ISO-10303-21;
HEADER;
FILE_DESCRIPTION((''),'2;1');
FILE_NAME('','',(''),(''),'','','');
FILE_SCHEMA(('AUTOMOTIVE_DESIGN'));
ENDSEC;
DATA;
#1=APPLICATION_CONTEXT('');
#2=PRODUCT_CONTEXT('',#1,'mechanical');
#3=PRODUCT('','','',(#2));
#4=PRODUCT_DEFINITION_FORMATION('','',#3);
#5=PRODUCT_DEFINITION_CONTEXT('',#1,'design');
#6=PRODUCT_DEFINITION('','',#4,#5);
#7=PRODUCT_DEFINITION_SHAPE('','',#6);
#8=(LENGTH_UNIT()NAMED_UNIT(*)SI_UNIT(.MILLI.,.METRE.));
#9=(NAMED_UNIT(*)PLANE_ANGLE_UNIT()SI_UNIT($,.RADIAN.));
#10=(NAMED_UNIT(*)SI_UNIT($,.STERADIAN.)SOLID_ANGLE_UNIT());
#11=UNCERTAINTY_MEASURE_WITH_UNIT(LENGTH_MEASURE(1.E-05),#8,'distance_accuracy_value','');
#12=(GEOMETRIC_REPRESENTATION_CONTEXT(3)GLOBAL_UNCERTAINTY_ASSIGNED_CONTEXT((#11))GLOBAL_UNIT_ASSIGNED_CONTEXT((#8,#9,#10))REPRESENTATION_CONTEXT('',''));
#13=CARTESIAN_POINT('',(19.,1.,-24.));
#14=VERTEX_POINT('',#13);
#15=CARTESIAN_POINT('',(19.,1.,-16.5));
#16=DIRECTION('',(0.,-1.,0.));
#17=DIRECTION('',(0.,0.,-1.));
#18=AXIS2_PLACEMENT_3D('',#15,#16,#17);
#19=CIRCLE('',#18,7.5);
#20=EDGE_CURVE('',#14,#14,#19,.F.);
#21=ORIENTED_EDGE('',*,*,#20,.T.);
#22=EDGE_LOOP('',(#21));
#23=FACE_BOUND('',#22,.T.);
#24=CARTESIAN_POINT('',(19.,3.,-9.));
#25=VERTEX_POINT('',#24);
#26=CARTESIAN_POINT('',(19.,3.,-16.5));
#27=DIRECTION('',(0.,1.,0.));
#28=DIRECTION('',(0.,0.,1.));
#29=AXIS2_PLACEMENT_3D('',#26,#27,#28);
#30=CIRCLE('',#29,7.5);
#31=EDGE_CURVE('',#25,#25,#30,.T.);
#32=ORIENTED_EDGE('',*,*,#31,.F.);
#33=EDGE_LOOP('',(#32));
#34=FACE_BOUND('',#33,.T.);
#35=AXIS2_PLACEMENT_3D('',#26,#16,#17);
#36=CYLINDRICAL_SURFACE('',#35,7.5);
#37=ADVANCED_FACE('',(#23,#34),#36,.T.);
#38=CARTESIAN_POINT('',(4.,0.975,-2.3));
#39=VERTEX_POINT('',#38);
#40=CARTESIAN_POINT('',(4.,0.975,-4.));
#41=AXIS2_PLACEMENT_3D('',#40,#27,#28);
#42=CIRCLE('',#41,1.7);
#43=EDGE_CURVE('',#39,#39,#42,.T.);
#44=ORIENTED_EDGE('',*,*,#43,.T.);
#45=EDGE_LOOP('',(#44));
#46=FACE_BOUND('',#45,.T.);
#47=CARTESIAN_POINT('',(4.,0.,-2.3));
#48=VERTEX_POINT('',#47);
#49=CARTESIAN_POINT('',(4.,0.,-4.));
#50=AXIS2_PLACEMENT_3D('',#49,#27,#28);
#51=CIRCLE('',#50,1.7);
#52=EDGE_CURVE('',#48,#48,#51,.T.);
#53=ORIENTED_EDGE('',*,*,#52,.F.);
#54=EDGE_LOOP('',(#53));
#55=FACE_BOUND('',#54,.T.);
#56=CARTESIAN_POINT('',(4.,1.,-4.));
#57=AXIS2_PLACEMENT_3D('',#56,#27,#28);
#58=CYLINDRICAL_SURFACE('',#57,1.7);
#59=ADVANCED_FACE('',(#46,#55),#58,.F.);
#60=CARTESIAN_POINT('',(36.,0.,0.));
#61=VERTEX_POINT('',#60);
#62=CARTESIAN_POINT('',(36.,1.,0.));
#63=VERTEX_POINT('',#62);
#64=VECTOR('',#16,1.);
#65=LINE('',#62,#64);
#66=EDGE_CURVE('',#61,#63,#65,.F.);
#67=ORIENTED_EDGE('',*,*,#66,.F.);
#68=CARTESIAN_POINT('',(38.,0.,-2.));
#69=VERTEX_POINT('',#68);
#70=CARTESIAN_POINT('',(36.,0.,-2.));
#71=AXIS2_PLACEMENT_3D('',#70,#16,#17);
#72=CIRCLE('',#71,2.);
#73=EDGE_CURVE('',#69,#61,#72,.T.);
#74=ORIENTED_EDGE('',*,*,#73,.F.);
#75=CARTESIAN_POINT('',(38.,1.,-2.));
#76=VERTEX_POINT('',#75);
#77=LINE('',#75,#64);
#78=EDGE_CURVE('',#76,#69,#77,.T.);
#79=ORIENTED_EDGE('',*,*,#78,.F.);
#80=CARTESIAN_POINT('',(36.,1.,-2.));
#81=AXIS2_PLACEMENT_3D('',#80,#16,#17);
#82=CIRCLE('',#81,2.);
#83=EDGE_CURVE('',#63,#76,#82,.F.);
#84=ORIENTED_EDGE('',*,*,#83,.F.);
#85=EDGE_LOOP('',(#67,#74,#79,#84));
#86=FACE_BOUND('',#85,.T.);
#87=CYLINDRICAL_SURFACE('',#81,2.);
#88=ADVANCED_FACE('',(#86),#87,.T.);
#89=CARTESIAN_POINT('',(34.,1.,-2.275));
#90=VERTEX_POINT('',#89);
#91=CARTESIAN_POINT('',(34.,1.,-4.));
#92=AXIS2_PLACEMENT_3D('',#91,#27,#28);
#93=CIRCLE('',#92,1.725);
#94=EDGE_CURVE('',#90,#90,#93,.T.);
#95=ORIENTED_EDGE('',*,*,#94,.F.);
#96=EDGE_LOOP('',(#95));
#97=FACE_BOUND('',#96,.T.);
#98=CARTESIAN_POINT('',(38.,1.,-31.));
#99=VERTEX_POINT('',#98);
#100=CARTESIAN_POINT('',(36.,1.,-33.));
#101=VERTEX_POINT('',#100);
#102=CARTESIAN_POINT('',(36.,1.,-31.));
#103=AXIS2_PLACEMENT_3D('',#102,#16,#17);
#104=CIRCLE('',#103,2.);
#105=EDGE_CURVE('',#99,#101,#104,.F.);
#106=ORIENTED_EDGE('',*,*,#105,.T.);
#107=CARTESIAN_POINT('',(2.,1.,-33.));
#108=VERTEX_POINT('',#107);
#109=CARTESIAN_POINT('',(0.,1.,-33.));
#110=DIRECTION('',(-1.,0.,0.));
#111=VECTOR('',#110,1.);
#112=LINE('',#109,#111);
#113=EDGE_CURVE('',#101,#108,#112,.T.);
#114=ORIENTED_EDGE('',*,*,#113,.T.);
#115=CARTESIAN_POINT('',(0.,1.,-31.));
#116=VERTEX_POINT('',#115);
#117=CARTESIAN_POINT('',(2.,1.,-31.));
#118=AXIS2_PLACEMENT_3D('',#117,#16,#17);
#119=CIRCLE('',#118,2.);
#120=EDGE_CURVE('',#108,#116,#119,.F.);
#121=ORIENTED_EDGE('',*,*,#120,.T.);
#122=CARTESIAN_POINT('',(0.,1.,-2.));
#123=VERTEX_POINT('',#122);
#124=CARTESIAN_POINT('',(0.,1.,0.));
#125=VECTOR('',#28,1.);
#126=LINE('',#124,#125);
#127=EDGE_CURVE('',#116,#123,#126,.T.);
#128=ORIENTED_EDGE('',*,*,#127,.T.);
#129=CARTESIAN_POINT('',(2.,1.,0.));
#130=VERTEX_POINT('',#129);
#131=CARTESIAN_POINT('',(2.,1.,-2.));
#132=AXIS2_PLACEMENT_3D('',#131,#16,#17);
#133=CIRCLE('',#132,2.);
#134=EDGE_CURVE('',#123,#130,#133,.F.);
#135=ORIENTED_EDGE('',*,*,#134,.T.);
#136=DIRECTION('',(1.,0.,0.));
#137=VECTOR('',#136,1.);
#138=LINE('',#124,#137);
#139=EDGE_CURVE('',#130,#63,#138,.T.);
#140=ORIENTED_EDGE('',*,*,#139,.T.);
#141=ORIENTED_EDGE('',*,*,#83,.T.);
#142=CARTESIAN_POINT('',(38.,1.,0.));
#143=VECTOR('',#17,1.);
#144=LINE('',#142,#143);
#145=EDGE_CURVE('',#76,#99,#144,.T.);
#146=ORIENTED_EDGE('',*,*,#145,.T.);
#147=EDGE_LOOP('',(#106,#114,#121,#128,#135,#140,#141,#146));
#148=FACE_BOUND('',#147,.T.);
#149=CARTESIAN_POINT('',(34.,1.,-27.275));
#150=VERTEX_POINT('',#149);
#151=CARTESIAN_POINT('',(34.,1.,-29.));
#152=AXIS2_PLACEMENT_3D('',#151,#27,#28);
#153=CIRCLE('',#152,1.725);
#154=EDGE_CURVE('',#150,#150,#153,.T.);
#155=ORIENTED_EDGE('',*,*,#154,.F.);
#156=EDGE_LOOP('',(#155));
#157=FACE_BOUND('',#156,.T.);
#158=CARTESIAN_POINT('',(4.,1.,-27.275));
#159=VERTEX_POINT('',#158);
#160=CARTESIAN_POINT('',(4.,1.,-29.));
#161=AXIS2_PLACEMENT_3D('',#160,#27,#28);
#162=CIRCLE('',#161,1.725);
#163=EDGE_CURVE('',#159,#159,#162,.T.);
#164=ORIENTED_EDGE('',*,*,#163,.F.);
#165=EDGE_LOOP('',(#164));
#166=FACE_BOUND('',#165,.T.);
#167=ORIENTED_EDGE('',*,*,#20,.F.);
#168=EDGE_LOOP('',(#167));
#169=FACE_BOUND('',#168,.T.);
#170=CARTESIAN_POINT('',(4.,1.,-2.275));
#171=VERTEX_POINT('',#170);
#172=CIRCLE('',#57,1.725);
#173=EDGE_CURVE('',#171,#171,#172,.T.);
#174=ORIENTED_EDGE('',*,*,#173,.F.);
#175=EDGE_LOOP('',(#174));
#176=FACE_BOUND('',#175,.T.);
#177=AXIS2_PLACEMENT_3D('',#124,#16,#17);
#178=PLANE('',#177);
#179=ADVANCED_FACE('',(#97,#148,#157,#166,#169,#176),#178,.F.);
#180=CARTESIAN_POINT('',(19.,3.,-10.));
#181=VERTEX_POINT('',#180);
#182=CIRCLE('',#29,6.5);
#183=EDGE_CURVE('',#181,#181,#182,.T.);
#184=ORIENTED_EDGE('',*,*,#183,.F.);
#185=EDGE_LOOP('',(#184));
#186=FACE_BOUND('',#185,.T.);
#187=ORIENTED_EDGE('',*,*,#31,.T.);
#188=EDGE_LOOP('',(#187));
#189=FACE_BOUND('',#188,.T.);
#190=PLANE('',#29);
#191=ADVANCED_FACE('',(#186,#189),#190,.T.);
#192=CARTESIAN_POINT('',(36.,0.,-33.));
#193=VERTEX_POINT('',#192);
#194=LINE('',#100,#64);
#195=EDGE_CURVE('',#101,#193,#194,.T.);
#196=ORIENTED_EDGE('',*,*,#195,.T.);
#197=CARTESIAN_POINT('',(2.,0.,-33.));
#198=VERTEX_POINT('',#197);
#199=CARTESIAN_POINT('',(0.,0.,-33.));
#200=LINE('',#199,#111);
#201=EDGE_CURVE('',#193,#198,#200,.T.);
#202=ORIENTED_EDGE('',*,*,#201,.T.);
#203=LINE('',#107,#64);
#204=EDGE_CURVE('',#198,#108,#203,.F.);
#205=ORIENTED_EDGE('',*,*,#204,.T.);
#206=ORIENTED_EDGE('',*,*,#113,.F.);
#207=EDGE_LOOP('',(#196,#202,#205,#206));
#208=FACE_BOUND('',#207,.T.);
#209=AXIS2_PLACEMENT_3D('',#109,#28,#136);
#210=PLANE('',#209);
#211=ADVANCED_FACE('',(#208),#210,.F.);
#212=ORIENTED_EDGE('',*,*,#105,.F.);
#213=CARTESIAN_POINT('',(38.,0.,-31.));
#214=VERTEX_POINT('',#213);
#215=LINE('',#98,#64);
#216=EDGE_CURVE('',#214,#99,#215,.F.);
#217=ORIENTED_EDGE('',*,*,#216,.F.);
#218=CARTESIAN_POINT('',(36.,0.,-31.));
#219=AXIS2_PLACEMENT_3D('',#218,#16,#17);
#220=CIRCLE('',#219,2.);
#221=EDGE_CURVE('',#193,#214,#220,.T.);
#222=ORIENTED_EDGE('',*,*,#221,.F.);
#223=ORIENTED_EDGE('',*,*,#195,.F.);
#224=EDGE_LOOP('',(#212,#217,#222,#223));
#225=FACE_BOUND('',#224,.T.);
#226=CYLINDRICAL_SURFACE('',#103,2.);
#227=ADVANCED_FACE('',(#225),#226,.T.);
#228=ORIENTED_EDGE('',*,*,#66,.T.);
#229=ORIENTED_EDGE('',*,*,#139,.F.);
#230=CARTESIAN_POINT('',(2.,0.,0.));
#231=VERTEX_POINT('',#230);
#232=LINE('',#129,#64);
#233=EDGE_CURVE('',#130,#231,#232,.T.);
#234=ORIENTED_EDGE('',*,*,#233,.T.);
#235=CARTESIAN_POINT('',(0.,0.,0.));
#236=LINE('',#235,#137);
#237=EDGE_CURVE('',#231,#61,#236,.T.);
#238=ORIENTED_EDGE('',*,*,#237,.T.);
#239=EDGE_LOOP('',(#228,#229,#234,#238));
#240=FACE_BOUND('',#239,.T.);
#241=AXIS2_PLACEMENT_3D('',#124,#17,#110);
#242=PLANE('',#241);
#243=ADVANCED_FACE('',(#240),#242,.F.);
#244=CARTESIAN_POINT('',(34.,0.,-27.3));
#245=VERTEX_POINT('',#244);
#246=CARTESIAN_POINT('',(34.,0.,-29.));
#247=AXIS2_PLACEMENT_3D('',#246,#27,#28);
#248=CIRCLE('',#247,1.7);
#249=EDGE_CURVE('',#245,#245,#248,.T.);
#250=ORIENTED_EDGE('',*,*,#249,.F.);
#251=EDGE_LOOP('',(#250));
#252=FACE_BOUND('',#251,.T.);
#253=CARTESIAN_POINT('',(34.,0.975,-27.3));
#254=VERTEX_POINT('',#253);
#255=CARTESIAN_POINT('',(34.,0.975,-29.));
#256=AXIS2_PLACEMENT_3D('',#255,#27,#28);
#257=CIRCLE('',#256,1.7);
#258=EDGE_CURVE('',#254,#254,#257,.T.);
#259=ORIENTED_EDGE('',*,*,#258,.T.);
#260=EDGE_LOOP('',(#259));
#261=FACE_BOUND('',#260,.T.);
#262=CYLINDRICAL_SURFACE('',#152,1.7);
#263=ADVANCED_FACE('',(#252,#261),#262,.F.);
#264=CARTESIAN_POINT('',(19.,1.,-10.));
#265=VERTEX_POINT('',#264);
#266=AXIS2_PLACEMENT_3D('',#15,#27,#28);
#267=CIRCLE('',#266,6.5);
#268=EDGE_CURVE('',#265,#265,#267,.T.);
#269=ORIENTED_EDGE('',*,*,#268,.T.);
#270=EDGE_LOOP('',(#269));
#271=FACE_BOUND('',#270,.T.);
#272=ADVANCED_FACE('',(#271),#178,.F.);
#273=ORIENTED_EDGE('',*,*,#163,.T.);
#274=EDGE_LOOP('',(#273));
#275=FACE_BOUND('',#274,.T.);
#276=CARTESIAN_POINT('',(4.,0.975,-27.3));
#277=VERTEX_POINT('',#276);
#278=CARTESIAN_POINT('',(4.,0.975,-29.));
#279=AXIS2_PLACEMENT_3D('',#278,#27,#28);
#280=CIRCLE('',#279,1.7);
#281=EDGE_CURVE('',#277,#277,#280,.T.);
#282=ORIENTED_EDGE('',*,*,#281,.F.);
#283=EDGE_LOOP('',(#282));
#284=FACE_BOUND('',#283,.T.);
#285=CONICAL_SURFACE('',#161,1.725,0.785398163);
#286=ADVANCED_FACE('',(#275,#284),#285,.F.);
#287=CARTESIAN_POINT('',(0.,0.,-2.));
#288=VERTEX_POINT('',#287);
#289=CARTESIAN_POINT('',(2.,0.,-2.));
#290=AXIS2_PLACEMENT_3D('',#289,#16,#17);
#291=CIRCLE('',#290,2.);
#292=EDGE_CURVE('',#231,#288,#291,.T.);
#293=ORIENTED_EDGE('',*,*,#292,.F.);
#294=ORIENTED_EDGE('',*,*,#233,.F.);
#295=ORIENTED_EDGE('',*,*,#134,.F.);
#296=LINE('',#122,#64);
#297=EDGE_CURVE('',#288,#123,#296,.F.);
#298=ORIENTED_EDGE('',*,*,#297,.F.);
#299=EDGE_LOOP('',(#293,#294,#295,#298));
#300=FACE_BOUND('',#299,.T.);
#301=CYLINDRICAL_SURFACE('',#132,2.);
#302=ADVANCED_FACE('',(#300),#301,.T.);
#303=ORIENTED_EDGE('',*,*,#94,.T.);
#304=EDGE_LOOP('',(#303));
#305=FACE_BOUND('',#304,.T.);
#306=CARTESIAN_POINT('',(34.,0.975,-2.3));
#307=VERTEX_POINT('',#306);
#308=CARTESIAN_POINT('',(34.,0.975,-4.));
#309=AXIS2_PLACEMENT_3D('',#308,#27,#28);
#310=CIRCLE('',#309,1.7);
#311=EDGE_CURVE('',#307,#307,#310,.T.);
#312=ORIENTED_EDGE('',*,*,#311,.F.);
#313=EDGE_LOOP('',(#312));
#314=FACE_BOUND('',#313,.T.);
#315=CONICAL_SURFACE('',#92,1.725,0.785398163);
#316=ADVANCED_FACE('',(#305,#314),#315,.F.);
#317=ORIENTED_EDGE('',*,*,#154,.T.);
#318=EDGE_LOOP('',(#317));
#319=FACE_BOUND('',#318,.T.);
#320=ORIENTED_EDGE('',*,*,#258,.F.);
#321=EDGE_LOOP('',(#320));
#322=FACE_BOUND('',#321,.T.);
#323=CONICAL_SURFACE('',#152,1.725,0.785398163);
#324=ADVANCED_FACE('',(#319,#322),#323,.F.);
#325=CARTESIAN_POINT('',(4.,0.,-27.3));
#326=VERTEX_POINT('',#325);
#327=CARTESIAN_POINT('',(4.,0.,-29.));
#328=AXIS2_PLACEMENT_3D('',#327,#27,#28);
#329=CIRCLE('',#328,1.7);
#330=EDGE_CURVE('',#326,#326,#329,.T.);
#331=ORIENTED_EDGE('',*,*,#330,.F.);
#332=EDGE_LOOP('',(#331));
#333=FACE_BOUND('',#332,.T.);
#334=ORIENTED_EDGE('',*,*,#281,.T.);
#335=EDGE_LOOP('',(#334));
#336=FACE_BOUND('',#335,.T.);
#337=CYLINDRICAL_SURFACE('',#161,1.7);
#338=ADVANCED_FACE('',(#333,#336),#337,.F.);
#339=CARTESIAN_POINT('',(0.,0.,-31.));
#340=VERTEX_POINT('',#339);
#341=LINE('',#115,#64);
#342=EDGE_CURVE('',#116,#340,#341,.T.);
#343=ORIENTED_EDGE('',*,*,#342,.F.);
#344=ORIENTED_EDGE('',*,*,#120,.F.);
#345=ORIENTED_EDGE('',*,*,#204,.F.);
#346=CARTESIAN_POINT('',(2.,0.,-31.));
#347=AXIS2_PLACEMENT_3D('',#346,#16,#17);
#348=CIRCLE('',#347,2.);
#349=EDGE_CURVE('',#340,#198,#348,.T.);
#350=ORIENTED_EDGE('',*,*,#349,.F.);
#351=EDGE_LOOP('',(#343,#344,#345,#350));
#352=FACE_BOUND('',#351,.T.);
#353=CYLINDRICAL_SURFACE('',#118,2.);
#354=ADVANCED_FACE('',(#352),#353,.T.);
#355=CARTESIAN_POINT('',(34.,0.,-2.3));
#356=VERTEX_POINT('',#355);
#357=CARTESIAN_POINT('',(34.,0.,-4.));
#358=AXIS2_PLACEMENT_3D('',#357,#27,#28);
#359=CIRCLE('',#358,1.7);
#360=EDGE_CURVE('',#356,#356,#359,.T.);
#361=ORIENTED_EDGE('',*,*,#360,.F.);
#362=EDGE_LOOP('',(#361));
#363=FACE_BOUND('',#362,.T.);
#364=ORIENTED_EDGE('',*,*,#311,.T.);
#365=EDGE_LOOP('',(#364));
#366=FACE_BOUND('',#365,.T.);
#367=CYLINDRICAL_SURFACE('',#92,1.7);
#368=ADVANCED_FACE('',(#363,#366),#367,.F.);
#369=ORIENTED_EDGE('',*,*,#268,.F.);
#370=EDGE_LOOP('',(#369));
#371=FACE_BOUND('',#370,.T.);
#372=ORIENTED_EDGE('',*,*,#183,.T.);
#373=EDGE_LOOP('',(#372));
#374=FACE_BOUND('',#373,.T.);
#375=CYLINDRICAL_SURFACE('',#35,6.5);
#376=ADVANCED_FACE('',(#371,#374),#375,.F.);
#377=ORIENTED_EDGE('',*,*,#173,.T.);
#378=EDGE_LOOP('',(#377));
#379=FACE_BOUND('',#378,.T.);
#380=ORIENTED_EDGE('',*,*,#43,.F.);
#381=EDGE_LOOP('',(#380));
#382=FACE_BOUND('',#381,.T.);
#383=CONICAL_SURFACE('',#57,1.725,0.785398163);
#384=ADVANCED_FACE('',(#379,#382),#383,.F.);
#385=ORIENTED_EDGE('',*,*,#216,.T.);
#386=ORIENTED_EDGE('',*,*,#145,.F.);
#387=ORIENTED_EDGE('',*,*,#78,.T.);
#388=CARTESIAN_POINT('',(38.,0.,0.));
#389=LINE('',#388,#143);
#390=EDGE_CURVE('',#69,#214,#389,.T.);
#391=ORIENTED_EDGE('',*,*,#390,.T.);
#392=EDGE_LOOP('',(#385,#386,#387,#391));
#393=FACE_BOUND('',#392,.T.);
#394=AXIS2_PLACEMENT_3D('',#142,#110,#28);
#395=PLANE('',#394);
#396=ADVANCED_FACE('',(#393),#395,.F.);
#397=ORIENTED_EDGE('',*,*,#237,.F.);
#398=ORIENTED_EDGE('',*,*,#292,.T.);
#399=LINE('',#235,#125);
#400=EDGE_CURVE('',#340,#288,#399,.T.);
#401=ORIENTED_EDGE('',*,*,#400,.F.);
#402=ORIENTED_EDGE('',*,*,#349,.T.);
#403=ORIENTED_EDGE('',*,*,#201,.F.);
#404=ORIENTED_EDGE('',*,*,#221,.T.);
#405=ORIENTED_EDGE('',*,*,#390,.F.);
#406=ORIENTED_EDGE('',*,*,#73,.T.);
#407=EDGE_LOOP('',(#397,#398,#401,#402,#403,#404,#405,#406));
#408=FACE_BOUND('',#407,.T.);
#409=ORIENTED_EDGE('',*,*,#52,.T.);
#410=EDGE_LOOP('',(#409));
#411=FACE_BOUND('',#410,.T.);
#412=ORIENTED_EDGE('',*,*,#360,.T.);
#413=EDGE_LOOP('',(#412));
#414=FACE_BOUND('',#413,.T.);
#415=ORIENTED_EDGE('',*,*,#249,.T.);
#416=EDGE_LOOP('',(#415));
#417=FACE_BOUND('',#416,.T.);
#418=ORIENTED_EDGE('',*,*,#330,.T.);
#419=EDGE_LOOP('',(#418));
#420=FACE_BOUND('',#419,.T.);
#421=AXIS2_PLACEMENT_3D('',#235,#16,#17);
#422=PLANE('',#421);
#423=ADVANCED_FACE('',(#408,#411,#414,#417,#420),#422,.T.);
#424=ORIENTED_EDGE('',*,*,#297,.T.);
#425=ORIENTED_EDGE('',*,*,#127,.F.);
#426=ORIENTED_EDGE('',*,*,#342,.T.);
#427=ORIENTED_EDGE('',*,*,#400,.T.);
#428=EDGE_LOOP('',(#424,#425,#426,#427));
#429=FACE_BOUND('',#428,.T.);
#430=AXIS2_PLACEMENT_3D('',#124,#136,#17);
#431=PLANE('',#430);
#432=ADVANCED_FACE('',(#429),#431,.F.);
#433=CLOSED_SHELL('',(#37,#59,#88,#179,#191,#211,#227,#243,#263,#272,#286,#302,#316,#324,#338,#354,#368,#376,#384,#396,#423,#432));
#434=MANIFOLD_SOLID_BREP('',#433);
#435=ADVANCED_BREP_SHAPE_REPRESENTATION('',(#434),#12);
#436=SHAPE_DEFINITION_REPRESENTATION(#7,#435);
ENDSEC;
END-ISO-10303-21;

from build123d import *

# Parameters (mm, degrees)
SKETCH1_W                     = 38
SKETCH1_H                     = 33
BOSS_EXTRUDE1_DEPTH           = 1
SKETCH2_R                     = 7.5
SKETCH2_R_2                   = 6.5
BOSS_EXTRUDE2_DEPTH           = 2
M3_CLEARANCE_HOLE1_AT_2_COUNT = 2
M3_CLEARANCE_HOLE1_AT_2_PITCH = 25
M3_CLEARANCE_HOLE1_AT_3_COUNT = 2
M3_CLEARANCE_HOLE1_AT_3_PITCH = 39.05124838
M3_CLEARANCE_HOLE1_AT_4_COUNT = 2
M3_CLEARANCE_HOLE1_AT_4_PITCH = 30
FILLET1_R                     = 2


with BuildPart() as part:
    # Sketch1 → Boss-Extrude1 (new body)
    with BuildSketch(Plane(origin=(0, 0, 0), x_dir=(1, 0, 0), z_dir=(0, 1, 0))):
        with Locations((19, 16.5)):
            Rectangle(SKETCH1_W, SKETCH1_H)
    extrude(amount=BOSS_EXTRUDE1_DEPTH)

    # Sketch2 → Boss-Extrude2 (add)
    with BuildSketch(Plane(origin=(0, 1, 0), x_dir=(1, 0, 0), z_dir=(0, 1, 0))):
        with Locations(Location((19, 16.5, 0), (0, 0, 90))):
            Circle(SKETCH2_R)
        with Locations(Location((19, 16.5, 0), (0, 0, 270))):
            Circle(SKETCH2_R_2, mode=Mode.SUBTRACT)
    extrude(amount=BOSS_EXTRUDE2_DEPTH)

    # Sketch4 → M3 Clearance Hole1 (revolve, cut)
    with BuildSketch(Plane(origin=(4, 1, -4), x_dir=(0, 0, 1), z_dir=(1, 0, 0))):
        Polygon((0, 0), (0, 1), (1.7, 1), (1.7, 0.025), (1.725, 0), align=None)
    m3_clearance_hole1 = revolve(axis=Axis((4, 7.35, -4), (0, -1, 0)), mode=Mode.SUBTRACT)

    # M3 Clearance Hole1 at 2: M3 Clearance Hole1 ×2
    with Locations(*[(0, 0, -i * M3_CLEARANCE_HOLE1_AT_2_PITCH) for i in range(1, M3_CLEARANCE_HOLE1_AT_2_COUNT)]):
        add(m3_clearance_hole1, mode=Mode.SUBTRACT)

    # M3 Clearance Hole1 at 3: M3 Clearance Hole1 ×2
    with Locations(*[Vector(0.768221279597376, 0, -0.6401843996644799) * (i * M3_CLEARANCE_HOLE1_AT_3_PITCH) for i in range(1, M3_CLEARANCE_HOLE1_AT_3_COUNT)]):
        add(m3_clearance_hole1, mode=Mode.SUBTRACT)

    # M3 Clearance Hole1 at 4: M3 Clearance Hole1 ×2
    with Locations(*[(i * M3_CLEARANCE_HOLE1_AT_4_PITCH, 0, 0) for i in range(1, M3_CLEARANCE_HOLE1_AT_4_COUNT)]):
        add(m3_clearance_hole1, mode=Mode.SUBTRACT)

    # Fillet1
    fillet1_edges = [part.edges().sort_by_distance(p)[0] for p in [
        (0, 0.5, -33),
        (38, 0.5, -33),
        (38, 0.5, 0),
        (0, 0.5, 0),
    ]]
    fillet(fillet1_edges, radius=FILLET1_R)


solid = part.part
